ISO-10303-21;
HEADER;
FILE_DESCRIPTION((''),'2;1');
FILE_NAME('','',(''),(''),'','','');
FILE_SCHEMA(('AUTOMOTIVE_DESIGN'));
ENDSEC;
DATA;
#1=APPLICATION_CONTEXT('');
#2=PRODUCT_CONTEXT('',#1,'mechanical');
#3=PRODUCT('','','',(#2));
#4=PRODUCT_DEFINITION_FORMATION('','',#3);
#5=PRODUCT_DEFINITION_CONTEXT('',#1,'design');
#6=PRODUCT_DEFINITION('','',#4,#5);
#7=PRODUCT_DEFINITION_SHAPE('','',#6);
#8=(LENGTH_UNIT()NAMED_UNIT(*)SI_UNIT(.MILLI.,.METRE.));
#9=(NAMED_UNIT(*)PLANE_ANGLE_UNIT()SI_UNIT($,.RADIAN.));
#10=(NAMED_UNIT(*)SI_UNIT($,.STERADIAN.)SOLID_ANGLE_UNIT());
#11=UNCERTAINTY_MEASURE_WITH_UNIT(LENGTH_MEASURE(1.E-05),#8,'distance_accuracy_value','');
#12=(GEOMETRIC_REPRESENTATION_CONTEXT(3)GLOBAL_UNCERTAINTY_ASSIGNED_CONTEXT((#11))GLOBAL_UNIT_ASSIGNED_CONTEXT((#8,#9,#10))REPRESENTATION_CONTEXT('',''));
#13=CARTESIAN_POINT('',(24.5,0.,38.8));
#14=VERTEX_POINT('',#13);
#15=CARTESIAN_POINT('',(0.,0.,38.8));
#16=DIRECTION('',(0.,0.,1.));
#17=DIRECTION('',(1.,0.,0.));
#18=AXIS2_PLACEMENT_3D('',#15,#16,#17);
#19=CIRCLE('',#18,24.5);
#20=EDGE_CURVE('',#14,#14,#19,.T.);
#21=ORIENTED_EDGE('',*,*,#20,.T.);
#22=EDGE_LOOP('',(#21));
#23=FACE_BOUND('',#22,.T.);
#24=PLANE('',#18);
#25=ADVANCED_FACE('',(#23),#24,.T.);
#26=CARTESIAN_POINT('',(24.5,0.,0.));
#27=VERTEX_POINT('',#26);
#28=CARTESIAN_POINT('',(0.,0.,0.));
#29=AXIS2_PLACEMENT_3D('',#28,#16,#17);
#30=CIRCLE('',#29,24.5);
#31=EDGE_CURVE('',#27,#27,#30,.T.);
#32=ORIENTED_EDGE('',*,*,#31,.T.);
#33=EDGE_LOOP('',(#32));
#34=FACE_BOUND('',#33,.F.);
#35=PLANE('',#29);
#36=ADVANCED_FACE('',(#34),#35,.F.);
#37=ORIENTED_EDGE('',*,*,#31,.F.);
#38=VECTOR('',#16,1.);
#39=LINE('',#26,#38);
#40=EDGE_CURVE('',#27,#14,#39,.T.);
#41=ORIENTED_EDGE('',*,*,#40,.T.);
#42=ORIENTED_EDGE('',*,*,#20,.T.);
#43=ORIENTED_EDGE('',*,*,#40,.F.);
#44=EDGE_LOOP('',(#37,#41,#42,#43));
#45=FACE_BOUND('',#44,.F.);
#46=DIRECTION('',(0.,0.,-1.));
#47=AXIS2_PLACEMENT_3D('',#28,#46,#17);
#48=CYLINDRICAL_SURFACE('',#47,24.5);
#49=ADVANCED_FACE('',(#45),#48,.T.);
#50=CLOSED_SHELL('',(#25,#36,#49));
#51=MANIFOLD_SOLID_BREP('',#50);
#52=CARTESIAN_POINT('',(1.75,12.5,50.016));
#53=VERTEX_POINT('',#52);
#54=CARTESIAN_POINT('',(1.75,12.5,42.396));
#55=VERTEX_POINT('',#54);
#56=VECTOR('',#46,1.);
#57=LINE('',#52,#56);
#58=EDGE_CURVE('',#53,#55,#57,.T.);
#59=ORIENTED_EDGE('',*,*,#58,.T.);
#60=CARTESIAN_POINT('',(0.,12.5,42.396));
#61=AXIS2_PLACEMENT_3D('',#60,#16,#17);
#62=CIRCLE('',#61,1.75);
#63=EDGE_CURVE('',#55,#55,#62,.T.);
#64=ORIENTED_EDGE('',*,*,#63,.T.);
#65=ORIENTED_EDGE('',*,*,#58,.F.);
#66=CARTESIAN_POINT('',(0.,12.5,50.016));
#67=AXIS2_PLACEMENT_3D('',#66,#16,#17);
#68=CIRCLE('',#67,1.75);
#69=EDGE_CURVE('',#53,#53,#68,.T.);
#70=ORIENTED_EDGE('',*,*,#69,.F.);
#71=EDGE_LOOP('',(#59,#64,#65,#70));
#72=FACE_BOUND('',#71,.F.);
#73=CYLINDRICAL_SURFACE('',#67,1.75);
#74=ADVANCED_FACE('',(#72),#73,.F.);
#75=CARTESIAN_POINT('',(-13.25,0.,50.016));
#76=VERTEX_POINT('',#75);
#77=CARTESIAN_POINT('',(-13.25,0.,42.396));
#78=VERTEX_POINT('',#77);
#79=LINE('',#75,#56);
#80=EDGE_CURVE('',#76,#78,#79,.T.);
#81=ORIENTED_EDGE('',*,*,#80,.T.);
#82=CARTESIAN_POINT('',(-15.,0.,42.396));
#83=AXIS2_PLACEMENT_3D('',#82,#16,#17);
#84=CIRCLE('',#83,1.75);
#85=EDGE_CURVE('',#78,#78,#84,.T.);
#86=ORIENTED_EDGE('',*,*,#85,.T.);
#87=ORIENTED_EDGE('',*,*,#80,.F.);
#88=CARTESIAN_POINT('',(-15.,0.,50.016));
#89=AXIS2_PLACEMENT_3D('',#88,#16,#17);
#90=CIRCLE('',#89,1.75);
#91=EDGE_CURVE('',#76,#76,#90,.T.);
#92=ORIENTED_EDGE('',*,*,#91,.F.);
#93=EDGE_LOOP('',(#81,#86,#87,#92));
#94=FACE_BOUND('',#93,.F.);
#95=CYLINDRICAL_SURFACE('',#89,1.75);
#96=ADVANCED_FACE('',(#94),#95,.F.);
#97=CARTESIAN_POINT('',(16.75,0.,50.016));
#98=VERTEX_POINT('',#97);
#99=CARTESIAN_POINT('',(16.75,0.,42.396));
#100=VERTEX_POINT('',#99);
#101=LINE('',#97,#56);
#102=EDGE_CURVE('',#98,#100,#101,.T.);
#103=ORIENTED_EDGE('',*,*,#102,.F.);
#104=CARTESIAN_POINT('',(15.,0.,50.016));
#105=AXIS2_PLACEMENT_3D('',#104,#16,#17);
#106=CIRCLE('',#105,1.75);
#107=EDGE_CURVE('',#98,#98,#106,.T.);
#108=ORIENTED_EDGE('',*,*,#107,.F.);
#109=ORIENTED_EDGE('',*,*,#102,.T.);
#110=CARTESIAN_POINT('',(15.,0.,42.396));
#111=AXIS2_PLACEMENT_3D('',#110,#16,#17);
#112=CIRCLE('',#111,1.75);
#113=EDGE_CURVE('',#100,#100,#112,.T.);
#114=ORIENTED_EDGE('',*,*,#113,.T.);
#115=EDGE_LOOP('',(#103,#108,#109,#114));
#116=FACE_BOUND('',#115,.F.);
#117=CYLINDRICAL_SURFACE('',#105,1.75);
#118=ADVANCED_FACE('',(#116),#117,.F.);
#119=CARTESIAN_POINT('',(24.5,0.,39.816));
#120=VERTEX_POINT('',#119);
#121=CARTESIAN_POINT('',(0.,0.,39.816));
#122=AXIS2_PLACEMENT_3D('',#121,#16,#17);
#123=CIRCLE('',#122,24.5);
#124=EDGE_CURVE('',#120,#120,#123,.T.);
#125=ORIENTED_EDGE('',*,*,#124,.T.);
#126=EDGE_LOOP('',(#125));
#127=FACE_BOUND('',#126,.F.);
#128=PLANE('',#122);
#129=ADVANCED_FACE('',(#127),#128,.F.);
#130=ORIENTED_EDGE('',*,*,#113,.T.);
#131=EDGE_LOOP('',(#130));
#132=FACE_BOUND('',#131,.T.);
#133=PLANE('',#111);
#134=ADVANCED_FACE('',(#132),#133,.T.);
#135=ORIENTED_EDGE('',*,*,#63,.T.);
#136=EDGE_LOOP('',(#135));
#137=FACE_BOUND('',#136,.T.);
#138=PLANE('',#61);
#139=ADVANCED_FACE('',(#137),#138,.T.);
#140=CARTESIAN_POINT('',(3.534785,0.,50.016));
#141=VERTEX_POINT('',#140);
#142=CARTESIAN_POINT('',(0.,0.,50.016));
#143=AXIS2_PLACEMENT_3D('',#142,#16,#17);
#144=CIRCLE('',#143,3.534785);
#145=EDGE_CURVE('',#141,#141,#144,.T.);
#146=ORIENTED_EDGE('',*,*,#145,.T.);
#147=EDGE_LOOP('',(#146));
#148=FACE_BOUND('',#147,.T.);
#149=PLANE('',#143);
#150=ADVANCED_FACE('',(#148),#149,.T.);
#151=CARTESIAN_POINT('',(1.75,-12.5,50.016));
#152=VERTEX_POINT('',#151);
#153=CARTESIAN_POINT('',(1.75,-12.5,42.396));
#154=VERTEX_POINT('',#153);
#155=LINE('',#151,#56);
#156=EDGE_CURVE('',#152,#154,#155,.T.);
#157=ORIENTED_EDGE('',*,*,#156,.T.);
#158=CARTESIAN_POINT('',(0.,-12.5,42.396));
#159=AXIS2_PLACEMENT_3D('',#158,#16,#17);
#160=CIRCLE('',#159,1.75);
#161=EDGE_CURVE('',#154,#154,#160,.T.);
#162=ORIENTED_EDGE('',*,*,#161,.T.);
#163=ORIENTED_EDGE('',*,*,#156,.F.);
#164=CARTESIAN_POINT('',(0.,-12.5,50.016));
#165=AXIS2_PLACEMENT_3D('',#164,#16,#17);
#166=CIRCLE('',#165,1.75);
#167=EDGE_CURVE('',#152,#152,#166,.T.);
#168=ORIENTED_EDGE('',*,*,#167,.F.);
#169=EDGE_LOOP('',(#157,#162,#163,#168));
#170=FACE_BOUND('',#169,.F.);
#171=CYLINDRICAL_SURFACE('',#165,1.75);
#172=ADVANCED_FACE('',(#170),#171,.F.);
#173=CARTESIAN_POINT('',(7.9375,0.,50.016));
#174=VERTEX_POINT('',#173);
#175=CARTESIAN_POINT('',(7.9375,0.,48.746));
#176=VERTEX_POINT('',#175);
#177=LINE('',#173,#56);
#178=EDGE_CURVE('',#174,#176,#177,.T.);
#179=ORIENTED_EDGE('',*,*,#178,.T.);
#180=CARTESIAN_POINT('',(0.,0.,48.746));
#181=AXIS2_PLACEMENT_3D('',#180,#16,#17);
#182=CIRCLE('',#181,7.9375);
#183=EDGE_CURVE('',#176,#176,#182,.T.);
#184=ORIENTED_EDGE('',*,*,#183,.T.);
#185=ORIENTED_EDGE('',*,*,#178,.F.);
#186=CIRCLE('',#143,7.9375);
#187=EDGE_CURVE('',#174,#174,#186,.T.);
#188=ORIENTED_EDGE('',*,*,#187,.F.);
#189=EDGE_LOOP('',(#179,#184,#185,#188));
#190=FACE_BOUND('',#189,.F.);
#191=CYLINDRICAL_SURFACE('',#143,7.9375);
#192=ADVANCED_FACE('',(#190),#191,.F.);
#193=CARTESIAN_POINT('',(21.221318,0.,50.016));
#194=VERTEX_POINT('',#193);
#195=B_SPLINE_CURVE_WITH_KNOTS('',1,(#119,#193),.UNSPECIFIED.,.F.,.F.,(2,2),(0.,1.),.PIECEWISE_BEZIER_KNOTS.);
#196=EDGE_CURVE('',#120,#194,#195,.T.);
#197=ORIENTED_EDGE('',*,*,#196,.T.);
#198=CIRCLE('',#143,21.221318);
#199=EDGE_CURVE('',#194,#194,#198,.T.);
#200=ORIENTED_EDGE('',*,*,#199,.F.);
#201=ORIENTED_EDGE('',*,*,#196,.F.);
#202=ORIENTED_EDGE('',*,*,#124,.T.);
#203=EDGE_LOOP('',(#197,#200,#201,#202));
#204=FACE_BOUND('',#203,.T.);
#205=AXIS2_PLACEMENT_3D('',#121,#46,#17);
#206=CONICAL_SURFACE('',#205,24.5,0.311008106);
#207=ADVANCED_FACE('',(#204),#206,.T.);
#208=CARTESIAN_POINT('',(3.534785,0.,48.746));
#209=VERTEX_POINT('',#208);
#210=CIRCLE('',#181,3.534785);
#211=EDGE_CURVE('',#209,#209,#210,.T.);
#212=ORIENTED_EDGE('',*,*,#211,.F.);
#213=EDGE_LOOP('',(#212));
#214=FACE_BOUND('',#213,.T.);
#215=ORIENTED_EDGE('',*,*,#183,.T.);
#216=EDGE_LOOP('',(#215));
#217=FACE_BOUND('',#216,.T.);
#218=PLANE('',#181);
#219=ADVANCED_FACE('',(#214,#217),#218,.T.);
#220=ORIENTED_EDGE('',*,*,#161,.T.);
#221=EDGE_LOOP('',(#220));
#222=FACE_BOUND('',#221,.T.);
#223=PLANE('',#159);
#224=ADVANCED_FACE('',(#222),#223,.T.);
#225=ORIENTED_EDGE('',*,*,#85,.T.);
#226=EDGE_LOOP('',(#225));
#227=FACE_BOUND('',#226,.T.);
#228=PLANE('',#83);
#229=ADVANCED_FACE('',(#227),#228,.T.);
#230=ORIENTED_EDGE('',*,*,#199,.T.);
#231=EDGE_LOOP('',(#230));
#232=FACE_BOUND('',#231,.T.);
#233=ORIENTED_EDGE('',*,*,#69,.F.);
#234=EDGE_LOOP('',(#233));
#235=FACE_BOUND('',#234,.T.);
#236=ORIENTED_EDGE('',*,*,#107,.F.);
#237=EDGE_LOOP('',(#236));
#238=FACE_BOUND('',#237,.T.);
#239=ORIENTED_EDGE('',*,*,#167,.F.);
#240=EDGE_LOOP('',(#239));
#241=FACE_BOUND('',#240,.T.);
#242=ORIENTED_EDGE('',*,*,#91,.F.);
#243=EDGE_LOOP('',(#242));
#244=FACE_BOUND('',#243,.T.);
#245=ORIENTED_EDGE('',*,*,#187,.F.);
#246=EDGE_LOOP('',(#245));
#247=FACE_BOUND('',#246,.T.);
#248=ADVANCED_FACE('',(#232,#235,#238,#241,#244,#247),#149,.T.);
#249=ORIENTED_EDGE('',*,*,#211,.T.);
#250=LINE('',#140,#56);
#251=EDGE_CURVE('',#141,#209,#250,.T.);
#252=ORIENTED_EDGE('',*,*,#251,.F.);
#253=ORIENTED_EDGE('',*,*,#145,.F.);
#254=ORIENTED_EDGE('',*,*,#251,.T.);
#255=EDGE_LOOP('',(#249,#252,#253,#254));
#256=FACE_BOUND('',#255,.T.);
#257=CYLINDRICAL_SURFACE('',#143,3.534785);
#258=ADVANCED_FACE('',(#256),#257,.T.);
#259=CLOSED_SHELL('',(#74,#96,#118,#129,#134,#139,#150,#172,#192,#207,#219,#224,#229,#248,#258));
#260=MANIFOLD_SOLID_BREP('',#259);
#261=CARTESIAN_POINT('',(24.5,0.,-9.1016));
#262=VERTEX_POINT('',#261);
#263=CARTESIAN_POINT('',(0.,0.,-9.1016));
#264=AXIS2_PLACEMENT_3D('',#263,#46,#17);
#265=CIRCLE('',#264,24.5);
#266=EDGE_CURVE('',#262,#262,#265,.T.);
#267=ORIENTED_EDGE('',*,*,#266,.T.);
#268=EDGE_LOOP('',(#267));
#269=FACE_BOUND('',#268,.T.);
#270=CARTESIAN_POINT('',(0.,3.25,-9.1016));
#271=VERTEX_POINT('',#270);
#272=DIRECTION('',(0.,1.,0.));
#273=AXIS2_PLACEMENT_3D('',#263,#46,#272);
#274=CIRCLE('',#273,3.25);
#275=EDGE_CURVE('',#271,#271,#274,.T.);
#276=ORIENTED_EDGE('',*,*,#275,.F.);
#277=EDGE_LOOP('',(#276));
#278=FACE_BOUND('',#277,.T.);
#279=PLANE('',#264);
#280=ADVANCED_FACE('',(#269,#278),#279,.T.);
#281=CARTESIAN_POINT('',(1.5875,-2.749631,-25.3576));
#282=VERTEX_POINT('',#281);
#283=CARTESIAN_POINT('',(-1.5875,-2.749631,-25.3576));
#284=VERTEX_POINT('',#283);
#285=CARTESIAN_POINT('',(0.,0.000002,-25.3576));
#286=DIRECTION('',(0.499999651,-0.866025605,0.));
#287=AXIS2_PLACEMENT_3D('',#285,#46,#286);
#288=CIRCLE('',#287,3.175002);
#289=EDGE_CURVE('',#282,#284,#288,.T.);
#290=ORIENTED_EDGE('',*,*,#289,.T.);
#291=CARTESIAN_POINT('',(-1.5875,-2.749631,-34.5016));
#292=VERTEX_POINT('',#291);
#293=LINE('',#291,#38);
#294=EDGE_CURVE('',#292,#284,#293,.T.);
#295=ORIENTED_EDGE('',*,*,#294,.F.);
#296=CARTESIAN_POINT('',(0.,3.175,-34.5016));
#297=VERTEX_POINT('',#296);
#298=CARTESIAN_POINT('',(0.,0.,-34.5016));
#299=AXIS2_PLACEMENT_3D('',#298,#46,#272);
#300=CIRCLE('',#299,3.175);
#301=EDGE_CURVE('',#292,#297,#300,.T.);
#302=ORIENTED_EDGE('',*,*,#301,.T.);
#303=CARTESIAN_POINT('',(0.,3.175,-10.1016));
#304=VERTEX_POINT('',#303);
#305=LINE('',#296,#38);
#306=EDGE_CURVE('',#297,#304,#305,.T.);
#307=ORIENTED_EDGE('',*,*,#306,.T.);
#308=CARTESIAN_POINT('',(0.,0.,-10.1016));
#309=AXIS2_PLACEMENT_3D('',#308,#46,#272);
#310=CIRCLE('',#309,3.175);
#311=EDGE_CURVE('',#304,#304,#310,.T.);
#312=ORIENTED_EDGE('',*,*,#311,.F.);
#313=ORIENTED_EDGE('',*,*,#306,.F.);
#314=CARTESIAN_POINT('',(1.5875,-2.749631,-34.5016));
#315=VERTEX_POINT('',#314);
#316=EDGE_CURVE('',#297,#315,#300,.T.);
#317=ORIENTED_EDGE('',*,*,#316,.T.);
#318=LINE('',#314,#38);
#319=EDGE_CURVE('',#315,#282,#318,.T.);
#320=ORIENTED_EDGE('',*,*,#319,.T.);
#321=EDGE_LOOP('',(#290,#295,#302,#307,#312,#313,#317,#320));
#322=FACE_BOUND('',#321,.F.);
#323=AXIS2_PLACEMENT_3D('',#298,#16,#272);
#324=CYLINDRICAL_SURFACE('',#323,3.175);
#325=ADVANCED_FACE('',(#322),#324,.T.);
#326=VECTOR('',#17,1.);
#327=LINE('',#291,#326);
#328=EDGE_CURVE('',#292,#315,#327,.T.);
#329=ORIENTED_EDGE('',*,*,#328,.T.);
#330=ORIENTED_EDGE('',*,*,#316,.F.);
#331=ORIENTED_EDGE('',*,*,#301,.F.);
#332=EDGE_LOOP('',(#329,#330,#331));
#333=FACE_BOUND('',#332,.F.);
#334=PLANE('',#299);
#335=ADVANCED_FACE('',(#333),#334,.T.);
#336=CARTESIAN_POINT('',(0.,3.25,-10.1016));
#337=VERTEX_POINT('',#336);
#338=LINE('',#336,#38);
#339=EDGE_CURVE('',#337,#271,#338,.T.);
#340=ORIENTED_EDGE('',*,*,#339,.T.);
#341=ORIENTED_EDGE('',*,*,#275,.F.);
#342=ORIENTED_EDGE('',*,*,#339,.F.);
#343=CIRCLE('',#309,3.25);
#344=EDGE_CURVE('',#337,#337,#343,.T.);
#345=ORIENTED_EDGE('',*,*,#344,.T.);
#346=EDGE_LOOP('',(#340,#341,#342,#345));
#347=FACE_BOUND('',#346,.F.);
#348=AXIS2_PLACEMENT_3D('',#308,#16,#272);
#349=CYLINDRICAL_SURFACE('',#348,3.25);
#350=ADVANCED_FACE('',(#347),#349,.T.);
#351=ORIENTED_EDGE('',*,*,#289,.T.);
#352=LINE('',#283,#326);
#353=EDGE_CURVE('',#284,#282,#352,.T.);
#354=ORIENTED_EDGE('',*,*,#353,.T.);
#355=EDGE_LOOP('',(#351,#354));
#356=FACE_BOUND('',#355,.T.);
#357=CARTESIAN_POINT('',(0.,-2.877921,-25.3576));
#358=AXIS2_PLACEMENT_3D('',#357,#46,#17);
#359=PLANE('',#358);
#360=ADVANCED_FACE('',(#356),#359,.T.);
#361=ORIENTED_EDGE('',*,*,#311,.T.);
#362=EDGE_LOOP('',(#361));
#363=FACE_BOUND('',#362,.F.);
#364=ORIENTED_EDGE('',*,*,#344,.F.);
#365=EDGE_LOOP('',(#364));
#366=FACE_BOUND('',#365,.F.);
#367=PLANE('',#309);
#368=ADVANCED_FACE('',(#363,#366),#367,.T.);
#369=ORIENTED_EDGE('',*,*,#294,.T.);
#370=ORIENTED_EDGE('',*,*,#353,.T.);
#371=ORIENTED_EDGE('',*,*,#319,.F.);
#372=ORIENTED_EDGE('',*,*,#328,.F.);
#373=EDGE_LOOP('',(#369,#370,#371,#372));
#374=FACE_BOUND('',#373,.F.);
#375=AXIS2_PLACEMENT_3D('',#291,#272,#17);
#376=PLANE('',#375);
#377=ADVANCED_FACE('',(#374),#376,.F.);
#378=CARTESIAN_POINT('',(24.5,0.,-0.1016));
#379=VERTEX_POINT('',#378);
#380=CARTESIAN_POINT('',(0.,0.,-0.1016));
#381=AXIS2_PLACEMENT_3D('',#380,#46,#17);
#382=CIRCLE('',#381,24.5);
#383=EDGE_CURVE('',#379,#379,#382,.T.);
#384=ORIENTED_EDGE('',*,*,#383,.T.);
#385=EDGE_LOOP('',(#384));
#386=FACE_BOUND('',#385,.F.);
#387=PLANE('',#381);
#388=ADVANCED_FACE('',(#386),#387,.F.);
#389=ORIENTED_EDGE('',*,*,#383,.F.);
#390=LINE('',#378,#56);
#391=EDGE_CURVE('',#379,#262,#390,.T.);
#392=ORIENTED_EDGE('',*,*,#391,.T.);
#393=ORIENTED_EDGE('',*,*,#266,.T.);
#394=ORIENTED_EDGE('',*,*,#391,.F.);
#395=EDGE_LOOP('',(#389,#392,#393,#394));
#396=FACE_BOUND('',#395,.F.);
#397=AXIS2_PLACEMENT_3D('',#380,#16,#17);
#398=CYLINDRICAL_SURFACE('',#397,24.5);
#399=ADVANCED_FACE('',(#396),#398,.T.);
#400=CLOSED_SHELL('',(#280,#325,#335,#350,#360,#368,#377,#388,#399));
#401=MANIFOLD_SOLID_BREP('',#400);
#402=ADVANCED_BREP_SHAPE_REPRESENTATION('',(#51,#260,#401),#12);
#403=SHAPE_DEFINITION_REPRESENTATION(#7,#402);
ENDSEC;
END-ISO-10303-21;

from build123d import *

# Parameters (mm, degrees)
F0_R      = 24.5
F1_DEPTH  = 38.8
F3_R      = 24.5
F4_DEPTH  = 9
F6_R      = 24.5
F8_R      = 21.221318
F10_R     = 7.9375
F10_R_2   = 3.534785
F11_DEPTH = 1.27
F12_R     = 1.75
F13_DEPTH = 7.62
F17_DEPTH = 9.144


with BuildPart() as f1:
    # F0 (on Top) → F1 (new body)
    with BuildSketch(Plane.XY):
        Circle(F0_R)
    extrude(amount=F1_DEPTH)


with BuildPart() as f4:
    # F3 (on offset) → F4 (new body)
    with BuildSketch(Plane(origin=(0, 0, -0.1016), x_dir=(1, 0, 0), z_dir=(0, 0, -1))):
        Circle(F3_R)
    extrude(amount=F4_DEPTH)

    # F14 (on Right) → F15 (revolve)
    with BuildSketch(Plane.YZ):
        Polygon((3.25, -9.1016), (0, -9.1016), (0, -34.5016), (3.175, -34.5016), (3.175, -10.1016), (3.25, -10.1016), align=None)
    revolve(axis=Axis((0, 0, -21.8016), (0, 0, -1)))

    # F16 (on face) → F17 (cut)
    with BuildSketch(Plane(origin=(0, 0, -34.5016), x_dir=(1, 0, 0), z_dir=(0, 0, -1))):
        with BuildLine():
            ThreePointArc((1.5875, 2.749631), (0, 3.175), (-1.5875, 2.749631))
            Line((-1.5875, 2.749631), (1.5875, 2.749631))
        make_face()
    extrude(amount=-F17_DEPTH, mode=Mode.SUBTRACT)


with BuildPart() as f9:
    # F6 (on offset) → F9 section 0
    with BuildSketch(Plane.XY.offset(39.816)):
        Circle(F6_R)
    # F8 (on offset) → F9 section 1
    with BuildSketch(Plane.XY.offset(50.016)):
        Circle(F8_R)
    loft()

    # F10 (on face) → F11 (cut)
    with BuildSketch(Plane.XY.offset(50.016)):
        Circle(F10_R)
        Circle(F10_R_2, mode=Mode.SUBTRACT)
    extrude(amount=-F11_DEPTH, mode=Mode.SUBTRACT)

    # F12 (on face) → F13 (cut)
    with BuildSketch(Plane.XY.offset(50.016)):
        with Locations((0, 12.5)):
            Circle(F12_R)
        with Locations((0, -12.5)):
            Circle(F12_R)
        with Locations((15, 0)):
            Circle(F12_R)
        with Locations((-15, 0)):
            Circle(F12_R)
    extrude(amount=-F13_DEPTH, mode=Mode.SUBTRACT)


solid = Compound([f1.part, f4.part, f9.part])
